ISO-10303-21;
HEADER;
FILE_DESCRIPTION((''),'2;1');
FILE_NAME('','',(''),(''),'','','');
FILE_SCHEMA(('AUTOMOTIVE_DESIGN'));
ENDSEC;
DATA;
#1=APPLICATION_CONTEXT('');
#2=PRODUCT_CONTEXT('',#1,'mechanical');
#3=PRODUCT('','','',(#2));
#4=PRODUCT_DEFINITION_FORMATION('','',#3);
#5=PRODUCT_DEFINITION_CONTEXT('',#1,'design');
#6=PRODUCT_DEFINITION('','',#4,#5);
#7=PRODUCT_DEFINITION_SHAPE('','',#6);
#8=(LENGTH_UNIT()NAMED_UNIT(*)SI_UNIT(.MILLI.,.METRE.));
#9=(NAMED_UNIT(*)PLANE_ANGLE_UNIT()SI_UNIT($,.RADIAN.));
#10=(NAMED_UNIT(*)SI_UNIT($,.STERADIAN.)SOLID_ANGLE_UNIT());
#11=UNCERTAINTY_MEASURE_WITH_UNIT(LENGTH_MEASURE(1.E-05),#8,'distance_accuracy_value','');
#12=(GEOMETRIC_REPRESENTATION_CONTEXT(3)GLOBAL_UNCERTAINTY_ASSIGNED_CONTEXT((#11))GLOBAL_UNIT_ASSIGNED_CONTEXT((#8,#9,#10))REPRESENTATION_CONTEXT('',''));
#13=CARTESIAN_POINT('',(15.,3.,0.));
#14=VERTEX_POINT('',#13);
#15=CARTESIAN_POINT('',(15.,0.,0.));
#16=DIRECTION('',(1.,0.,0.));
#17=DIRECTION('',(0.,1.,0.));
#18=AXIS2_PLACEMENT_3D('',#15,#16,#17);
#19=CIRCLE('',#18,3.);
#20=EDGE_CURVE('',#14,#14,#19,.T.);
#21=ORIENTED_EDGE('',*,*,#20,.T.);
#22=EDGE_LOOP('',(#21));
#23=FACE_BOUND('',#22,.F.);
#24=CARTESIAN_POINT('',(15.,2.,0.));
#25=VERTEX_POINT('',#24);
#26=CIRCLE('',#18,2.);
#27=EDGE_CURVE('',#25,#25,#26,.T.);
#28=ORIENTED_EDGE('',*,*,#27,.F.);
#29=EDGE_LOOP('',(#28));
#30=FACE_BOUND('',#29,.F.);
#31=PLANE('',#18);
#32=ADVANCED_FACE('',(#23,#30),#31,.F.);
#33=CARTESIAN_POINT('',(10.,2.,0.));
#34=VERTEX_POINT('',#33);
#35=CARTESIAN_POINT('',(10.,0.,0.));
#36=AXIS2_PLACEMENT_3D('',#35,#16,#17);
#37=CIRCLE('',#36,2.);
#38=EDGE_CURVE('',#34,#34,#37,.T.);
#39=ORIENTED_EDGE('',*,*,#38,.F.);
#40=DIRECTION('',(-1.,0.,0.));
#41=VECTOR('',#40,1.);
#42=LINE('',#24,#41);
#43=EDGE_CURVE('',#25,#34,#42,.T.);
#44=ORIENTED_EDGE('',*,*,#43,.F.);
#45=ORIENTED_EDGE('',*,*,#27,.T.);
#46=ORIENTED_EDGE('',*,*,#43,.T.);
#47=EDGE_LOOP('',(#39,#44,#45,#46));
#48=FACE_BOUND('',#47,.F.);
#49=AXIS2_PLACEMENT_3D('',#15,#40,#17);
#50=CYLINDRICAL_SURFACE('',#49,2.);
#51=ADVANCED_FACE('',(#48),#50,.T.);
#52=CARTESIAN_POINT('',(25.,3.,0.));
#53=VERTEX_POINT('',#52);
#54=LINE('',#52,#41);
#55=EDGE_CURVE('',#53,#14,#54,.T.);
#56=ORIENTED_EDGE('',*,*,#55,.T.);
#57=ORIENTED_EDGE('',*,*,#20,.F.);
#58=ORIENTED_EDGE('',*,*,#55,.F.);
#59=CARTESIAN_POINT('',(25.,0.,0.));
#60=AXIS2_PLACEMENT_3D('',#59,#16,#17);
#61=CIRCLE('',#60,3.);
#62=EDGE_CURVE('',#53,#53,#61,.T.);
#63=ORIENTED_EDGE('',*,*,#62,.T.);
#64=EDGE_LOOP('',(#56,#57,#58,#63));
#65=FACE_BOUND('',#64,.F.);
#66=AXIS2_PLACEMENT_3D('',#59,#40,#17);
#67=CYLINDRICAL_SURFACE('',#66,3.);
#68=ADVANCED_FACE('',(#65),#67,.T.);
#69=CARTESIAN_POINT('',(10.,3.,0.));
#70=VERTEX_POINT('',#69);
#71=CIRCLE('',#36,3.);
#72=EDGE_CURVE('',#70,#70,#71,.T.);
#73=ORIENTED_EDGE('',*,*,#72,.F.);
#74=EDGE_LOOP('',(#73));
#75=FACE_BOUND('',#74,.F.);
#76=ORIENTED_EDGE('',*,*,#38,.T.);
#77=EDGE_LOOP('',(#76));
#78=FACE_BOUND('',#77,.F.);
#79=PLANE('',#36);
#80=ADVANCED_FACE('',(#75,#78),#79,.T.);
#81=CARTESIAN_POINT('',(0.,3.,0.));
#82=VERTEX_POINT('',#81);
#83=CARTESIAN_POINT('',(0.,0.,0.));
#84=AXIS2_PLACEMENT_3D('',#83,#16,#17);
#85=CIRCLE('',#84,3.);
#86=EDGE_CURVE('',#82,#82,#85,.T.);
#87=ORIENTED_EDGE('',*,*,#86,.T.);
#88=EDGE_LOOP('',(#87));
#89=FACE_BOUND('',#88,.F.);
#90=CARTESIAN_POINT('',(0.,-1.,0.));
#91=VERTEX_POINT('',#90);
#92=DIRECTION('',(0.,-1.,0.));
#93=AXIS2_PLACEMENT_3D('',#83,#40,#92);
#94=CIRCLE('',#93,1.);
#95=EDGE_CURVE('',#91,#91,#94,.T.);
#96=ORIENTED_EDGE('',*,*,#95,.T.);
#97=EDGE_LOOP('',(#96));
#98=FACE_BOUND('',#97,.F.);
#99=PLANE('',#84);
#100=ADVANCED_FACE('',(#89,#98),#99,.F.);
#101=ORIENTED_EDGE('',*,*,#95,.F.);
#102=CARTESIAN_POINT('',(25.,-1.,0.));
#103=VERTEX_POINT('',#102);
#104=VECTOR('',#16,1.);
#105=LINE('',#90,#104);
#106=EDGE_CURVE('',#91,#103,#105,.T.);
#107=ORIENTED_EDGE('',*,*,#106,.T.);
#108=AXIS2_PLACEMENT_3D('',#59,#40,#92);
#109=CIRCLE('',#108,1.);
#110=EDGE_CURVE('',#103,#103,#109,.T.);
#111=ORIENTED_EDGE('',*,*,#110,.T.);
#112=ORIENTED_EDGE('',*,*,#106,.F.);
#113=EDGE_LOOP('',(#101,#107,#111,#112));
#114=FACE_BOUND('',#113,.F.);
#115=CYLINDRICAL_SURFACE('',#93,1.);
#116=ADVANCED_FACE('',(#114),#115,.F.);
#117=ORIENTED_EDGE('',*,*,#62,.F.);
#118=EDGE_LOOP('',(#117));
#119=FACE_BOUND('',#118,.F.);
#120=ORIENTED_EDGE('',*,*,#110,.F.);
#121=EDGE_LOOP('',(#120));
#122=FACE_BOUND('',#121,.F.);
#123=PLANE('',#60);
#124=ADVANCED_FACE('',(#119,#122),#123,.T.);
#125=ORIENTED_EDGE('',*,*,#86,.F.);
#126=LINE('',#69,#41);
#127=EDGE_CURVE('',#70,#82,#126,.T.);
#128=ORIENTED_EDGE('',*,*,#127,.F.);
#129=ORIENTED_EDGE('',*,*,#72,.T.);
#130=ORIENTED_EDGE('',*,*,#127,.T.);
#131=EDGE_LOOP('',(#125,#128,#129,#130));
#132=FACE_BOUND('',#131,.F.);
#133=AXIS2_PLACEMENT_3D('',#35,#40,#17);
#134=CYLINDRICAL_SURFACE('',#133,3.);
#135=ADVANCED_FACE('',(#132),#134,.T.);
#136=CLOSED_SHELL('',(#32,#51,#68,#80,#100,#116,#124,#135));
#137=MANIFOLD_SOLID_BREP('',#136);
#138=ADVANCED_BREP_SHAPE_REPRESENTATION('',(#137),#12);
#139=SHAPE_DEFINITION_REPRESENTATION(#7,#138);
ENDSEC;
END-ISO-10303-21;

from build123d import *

# Parameters (mm, degrees)
F2_R     = 1
F3_DEPTH = 25.001


with BuildPart() as f1:
    # F0 (on Top) → F1 (revolve)
    with BuildSketch(Plane.XY):
        Polygon((0, 3), (0, 0), (25, 0), (25, 3), (15, 3), (15, 2), (10, 2), (10, 3), align=None)
    revolve(axis=Axis((12.5, 0, 0), (1, 0, 0)))

    # F2 (on face) → F3 (cut, through all)
    with BuildSketch(Plane(origin=(0, 0, 0), x_dir=(0, -1, 0), z_dir=(-1, 0, 0))):
        Circle(F2_R)
    extrude(amount=-F3_DEPTH, mode=Mode.SUBTRACT)


solid = f1.part
